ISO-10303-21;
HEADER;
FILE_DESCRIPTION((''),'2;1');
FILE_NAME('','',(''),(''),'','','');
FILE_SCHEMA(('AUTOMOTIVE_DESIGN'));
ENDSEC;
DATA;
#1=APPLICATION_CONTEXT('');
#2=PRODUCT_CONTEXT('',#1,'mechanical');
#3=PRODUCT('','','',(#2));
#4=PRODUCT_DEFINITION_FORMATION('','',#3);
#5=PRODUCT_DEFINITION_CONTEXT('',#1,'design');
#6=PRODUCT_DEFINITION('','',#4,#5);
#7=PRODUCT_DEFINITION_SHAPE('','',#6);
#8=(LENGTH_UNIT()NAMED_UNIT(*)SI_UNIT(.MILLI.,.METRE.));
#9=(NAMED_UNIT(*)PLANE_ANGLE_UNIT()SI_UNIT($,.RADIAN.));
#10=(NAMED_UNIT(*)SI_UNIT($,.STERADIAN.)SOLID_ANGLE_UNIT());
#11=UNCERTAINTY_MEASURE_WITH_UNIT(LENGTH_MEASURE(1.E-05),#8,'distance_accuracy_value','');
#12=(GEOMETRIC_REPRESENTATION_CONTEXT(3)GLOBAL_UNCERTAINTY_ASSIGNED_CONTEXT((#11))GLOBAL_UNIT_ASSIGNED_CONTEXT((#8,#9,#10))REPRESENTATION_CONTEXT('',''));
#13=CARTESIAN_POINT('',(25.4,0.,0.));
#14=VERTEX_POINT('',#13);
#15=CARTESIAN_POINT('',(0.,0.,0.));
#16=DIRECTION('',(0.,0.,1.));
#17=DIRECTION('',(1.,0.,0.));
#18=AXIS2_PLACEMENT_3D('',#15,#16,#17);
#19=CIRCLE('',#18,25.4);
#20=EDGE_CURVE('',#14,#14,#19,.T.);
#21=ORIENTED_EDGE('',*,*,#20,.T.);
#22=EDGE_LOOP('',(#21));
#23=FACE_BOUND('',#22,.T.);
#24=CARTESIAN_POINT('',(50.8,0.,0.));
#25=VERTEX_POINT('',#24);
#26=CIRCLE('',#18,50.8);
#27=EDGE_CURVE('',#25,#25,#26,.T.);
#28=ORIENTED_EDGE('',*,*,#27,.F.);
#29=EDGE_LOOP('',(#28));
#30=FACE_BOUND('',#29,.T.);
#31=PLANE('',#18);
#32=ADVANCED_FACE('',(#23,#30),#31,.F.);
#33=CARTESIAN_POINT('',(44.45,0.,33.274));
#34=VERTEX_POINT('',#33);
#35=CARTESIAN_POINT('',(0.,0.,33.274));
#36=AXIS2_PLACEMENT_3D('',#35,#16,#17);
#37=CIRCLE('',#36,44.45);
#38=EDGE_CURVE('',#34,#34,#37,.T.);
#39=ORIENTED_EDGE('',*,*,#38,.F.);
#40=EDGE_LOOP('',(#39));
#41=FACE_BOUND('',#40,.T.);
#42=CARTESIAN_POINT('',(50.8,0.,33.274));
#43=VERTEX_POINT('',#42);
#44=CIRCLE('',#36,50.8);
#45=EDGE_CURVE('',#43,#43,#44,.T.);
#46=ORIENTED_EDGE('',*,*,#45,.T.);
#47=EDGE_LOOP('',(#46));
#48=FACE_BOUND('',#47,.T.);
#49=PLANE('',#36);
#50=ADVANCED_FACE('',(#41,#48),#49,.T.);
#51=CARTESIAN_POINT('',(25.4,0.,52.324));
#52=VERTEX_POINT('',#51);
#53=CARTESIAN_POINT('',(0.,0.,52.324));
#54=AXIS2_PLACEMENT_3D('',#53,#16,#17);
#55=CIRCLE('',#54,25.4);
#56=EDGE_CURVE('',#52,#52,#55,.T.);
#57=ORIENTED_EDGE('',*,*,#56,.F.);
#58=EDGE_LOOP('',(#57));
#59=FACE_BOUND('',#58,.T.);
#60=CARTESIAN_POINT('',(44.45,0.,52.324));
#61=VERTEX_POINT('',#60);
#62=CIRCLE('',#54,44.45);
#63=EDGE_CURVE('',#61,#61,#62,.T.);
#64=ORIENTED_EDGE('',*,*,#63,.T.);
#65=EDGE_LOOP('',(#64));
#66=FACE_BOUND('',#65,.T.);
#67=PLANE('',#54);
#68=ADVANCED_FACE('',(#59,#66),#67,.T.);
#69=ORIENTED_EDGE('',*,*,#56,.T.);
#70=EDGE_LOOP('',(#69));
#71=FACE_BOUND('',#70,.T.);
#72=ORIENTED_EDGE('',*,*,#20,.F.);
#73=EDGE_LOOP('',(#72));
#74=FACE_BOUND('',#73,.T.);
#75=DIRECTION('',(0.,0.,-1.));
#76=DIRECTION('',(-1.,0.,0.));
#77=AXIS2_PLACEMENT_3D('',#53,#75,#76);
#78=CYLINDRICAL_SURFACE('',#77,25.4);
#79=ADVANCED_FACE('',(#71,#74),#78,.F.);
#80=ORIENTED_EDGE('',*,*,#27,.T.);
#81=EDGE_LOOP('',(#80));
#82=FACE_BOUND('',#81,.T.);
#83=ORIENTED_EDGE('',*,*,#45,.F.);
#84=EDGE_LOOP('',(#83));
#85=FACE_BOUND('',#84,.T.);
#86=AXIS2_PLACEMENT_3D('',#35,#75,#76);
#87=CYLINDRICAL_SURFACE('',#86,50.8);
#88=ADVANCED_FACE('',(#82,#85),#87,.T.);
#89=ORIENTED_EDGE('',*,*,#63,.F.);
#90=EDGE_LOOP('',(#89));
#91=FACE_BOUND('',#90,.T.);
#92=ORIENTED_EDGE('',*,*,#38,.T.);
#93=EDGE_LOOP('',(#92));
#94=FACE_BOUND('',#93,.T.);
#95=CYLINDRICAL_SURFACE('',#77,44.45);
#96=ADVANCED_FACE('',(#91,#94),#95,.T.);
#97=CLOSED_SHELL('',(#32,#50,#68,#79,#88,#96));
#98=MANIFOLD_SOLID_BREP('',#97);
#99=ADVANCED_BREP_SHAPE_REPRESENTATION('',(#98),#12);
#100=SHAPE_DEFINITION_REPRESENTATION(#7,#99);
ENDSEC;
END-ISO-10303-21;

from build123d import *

# Parameters (mm, degrees)
SKETCH1_R           = 50.8
BOSS_EXTRUDE1_DEPTH = 33.274
SKETCH3_R           = 44.45
BOSS_EXTRUDE2_DEPTH = 19.05
SKETCH5_R           = 25.4
CUT_EXTRUDE1_DEPTH  = 53.324


with BuildPart() as part:
    # Sketch1 → Boss-Extrude1 (new body)
    with BuildSketch(Plane.XY):
        Circle(SKETCH1_R)
    extrude(amount=BOSS_EXTRUDE1_DEPTH)

    # Sketch3 → Boss-Extrude2 (add)
    with BuildSketch(Plane.XY.offset(33.274)):
        Circle(SKETCH3_R)
    extrude(amount=BOSS_EXTRUDE2_DEPTH)

    # Sketch5 → Cut-Extrude1 (cut, through all)
    with BuildSketch(Plane.XY):
        Circle(SKETCH5_R)
    extrude(amount=CUT_EXTRUDE1_DEPTH, mode=Mode.SUBTRACT)


solid = part.part
